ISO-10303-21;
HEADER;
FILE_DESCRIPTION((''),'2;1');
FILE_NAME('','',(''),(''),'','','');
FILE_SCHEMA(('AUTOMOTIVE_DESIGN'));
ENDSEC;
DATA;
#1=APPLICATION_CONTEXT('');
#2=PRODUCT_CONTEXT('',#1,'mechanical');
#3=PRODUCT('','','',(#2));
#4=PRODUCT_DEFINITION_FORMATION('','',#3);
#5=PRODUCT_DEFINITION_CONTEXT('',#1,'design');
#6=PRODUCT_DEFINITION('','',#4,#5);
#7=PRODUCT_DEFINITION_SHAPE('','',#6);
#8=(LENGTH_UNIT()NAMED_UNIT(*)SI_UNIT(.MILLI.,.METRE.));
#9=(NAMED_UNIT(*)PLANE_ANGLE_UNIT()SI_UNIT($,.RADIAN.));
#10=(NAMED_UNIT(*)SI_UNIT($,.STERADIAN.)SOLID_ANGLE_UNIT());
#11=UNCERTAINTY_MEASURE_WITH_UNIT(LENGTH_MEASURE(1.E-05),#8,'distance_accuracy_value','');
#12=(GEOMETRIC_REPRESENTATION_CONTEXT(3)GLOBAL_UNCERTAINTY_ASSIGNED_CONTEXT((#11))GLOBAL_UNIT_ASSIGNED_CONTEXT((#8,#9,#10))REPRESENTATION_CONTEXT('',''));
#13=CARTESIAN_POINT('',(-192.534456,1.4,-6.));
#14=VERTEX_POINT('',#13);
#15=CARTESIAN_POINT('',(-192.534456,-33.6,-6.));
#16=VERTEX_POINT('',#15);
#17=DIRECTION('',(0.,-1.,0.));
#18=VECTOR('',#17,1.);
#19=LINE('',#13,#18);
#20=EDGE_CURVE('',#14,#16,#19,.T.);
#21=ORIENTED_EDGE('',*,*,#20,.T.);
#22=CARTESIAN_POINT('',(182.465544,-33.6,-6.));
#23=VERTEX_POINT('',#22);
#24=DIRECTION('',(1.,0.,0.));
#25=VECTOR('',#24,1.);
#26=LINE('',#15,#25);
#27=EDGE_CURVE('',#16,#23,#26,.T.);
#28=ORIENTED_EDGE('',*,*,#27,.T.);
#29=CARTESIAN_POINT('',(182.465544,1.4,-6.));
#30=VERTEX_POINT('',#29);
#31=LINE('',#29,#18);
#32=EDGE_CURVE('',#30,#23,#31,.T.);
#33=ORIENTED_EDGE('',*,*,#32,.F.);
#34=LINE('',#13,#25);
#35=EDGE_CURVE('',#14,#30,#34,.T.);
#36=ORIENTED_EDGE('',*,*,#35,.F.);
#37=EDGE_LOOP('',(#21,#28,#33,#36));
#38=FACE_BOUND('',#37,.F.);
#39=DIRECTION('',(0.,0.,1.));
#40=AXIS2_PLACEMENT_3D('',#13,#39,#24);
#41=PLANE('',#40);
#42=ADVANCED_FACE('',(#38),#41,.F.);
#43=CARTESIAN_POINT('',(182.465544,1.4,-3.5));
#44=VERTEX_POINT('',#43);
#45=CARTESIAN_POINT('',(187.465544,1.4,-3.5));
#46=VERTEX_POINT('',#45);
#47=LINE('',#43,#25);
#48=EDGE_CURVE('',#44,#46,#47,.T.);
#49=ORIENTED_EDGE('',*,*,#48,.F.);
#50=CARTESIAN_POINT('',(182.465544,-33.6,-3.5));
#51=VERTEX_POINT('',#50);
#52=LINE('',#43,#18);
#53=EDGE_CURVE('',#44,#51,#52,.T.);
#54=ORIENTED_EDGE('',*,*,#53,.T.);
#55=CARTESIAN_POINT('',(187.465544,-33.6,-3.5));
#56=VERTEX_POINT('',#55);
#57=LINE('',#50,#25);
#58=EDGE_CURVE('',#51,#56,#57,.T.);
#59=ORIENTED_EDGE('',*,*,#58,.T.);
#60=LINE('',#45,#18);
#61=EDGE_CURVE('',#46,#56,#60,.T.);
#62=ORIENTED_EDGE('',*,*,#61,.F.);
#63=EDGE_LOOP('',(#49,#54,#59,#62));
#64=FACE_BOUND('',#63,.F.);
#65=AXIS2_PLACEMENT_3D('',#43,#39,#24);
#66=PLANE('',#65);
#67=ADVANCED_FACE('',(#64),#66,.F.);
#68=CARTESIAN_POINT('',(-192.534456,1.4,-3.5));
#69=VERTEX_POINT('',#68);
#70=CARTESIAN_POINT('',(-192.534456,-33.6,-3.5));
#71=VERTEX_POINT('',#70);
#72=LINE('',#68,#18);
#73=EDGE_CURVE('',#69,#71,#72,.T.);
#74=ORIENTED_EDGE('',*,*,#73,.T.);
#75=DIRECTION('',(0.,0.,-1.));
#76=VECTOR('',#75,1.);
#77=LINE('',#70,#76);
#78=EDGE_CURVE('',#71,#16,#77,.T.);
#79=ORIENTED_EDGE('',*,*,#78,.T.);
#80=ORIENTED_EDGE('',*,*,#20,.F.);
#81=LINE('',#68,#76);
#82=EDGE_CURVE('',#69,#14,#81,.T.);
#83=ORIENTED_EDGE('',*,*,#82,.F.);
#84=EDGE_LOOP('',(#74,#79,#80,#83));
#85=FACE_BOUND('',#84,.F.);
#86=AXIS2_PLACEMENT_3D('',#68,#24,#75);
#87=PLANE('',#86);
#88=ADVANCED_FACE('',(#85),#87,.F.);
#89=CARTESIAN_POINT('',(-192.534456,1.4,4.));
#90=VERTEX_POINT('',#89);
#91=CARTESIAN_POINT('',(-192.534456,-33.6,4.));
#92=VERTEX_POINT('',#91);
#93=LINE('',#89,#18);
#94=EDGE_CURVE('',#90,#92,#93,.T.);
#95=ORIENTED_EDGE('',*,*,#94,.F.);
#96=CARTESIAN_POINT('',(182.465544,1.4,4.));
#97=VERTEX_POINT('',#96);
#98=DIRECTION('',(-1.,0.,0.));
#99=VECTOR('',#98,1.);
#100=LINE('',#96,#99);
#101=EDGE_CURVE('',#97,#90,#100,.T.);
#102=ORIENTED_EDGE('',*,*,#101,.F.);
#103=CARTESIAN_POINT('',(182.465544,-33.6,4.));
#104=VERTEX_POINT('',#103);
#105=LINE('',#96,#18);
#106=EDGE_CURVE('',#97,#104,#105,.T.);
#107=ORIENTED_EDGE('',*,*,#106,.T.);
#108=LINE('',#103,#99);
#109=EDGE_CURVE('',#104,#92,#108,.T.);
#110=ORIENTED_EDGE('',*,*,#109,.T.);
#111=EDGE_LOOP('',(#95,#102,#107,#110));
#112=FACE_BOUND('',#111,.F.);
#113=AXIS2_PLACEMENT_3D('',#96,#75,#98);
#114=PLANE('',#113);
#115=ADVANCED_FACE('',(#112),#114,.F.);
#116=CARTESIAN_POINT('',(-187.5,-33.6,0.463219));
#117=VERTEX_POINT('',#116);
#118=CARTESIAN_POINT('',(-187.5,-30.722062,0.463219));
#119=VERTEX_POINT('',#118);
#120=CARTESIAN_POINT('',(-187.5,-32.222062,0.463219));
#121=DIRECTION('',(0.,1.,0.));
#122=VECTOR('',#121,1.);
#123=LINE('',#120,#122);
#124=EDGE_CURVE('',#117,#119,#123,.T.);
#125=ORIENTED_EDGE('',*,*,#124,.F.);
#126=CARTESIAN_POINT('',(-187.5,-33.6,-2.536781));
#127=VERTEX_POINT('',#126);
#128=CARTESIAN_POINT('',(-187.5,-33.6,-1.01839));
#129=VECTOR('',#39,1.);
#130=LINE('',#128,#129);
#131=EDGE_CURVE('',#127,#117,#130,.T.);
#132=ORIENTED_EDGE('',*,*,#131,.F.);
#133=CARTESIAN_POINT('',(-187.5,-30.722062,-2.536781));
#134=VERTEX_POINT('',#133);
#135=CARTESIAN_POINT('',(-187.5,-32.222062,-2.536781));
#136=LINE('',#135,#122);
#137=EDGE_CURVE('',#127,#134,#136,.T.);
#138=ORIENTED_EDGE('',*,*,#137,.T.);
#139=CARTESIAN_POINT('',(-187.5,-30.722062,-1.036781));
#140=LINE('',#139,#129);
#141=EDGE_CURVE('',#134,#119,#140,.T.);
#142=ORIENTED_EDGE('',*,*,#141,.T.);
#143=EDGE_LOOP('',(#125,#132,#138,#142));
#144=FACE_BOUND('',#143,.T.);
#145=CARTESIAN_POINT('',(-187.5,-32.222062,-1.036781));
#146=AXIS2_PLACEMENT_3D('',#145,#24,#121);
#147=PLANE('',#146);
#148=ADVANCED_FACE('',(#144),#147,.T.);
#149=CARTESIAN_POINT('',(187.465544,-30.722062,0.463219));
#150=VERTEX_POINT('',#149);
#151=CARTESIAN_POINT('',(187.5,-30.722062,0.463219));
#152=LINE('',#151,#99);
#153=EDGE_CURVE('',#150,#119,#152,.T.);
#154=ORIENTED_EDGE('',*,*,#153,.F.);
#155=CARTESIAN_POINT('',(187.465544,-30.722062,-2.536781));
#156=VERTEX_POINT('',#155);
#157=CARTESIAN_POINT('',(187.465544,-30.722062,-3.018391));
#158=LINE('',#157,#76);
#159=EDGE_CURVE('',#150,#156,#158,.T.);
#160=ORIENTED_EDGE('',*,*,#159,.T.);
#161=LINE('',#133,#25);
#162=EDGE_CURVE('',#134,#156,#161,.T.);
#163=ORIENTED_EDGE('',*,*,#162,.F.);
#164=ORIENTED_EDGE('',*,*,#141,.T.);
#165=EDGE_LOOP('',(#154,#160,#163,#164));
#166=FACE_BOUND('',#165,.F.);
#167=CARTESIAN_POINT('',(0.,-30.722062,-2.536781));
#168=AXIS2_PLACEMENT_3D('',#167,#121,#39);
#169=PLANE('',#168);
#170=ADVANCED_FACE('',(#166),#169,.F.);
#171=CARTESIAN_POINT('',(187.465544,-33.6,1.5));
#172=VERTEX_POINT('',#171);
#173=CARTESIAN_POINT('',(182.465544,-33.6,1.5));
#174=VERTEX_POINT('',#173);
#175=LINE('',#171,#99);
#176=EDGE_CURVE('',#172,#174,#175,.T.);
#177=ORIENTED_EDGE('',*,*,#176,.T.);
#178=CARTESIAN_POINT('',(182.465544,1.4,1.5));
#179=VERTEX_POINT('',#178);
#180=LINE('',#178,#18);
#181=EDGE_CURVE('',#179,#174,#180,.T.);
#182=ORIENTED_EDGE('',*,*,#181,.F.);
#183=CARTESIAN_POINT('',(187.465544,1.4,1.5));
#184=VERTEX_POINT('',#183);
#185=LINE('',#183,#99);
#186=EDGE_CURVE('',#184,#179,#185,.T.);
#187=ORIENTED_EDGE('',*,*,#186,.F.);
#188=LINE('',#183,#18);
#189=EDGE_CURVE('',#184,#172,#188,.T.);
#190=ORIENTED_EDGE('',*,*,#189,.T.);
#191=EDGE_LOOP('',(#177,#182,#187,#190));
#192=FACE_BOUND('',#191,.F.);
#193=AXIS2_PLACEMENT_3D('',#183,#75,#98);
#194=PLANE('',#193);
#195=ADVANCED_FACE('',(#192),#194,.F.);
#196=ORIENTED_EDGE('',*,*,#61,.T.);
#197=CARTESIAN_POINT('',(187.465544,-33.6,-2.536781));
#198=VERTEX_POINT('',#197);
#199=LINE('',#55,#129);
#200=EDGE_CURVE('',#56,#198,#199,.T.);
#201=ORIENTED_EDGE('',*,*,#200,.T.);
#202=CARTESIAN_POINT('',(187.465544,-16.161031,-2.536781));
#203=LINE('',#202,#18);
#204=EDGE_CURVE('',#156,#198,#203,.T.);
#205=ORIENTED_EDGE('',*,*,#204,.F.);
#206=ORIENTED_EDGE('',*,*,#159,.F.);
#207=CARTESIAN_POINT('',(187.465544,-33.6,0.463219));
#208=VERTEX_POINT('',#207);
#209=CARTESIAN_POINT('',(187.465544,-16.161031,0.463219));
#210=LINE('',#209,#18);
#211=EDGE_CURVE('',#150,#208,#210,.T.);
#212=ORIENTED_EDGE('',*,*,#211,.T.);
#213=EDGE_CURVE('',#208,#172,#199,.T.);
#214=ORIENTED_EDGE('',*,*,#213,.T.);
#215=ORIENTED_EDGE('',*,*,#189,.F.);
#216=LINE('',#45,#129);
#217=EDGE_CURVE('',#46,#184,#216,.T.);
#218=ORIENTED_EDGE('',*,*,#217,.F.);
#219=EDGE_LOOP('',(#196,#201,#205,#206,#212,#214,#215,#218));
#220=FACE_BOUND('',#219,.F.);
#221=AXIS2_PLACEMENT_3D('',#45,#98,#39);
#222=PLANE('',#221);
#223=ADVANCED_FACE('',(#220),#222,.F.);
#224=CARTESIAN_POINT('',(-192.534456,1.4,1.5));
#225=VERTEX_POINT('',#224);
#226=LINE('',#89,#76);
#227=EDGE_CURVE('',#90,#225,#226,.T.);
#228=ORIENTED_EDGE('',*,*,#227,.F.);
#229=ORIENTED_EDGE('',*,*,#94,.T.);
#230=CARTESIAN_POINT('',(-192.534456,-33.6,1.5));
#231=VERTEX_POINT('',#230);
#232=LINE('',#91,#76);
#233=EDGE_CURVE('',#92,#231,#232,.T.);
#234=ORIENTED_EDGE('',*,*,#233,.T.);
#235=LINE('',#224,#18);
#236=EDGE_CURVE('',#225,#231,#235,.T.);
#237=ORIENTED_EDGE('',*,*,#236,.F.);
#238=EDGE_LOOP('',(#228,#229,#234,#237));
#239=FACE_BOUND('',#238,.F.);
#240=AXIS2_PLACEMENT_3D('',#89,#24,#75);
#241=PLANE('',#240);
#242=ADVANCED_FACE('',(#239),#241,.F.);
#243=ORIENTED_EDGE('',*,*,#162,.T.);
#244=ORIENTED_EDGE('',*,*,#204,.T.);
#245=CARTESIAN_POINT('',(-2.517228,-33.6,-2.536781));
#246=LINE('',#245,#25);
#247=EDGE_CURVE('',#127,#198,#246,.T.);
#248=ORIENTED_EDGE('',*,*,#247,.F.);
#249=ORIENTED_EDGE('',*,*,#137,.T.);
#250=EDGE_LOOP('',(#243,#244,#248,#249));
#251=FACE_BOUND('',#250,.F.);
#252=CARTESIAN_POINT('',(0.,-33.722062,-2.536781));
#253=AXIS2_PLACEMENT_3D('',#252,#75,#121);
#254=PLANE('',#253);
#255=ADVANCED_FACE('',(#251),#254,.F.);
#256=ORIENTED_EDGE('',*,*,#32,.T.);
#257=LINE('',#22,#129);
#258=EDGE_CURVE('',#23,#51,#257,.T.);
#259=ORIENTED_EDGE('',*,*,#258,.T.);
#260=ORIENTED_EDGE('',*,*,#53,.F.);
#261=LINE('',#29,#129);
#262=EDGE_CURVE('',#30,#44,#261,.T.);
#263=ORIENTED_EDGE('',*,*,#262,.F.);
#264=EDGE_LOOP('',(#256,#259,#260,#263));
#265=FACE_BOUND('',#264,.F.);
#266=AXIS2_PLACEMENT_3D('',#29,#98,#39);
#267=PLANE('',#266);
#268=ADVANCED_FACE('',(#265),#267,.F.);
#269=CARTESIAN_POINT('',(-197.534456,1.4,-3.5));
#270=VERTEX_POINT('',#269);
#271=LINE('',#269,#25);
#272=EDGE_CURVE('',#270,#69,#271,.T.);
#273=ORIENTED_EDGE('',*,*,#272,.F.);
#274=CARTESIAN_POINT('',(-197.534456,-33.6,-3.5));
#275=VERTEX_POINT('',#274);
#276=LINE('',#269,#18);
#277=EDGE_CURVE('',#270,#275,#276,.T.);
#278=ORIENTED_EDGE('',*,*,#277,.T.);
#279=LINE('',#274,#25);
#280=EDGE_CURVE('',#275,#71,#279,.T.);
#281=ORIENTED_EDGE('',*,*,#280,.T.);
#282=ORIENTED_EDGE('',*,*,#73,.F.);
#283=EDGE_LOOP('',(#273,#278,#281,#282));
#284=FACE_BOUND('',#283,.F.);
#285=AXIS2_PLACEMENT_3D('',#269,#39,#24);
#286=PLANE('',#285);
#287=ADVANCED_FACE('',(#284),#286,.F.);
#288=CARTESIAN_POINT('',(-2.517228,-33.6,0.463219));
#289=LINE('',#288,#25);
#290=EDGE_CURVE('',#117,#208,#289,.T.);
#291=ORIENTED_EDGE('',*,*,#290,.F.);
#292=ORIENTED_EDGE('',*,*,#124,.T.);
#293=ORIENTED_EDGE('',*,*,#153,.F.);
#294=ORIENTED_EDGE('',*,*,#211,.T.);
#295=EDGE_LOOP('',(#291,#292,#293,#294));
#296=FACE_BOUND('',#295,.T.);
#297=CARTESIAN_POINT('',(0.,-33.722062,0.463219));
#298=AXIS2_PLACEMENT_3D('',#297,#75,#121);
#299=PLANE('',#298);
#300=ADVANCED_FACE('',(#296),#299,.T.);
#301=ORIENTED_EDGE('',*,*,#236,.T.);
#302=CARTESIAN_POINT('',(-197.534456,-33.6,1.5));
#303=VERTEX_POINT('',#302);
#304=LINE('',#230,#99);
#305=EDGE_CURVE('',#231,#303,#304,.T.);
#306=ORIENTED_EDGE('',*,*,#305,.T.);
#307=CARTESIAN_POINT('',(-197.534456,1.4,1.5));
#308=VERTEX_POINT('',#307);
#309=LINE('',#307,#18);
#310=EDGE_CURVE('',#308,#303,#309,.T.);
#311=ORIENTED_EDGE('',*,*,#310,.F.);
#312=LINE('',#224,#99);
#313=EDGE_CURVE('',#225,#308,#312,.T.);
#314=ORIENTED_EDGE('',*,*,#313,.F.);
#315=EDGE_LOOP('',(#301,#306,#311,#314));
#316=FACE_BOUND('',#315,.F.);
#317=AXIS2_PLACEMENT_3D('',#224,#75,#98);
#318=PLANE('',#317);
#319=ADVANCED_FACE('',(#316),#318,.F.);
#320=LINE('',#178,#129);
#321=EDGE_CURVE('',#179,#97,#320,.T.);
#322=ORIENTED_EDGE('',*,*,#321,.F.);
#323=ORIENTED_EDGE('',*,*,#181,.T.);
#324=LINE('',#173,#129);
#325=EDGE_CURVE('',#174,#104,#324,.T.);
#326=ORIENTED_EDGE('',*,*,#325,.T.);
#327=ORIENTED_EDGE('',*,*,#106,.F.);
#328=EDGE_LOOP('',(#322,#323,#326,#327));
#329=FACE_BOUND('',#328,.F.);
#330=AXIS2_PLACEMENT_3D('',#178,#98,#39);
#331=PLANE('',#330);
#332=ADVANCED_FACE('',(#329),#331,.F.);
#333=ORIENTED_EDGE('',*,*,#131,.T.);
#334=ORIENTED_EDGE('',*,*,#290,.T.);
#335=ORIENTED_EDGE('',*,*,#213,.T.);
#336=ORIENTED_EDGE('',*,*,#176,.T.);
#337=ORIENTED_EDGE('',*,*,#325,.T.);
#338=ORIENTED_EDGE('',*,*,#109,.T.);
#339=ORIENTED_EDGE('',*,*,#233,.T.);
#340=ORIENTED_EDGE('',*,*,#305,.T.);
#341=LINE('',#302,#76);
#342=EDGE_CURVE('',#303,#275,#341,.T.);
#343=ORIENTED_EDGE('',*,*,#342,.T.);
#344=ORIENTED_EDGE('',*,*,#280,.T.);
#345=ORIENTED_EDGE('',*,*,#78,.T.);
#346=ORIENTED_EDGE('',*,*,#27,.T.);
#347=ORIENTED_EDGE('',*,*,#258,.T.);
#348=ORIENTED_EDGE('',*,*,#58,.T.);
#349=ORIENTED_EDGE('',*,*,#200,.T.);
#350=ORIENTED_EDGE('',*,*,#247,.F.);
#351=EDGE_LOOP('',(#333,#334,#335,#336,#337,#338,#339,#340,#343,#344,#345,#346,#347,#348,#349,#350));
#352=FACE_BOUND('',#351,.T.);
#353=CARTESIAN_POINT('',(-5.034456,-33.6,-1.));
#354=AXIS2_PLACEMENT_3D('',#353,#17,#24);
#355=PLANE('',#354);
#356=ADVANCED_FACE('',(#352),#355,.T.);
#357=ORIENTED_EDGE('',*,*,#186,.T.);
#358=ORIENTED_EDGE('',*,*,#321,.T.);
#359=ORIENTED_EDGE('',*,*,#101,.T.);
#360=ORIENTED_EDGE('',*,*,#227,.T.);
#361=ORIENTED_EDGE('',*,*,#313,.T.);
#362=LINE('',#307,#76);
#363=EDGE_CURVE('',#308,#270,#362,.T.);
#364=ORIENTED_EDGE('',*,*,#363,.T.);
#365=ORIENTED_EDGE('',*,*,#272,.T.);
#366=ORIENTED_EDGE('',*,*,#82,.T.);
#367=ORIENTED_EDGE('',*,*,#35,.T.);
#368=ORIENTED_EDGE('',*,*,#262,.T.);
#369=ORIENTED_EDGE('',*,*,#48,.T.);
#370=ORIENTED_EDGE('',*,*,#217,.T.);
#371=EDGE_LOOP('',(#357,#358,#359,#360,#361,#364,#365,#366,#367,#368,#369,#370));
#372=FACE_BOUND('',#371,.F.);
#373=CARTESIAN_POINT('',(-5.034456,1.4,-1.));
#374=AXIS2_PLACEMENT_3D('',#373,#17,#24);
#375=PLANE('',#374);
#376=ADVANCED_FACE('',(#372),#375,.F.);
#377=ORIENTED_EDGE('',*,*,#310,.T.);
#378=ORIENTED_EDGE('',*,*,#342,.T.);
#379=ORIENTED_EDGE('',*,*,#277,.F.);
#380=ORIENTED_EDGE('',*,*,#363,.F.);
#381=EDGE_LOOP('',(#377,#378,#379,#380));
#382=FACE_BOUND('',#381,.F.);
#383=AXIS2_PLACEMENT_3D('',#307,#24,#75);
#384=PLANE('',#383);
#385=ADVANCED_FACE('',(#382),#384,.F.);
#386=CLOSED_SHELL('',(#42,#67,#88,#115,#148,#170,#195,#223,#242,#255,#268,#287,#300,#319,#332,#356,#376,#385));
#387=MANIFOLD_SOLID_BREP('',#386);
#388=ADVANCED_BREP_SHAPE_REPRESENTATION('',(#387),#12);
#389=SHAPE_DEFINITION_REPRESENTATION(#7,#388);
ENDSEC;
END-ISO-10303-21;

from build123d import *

# Parameters (mm, degrees)
F1_DEPTH      = 35
F2_W          = 3
F2_H          = 3
F3_DEPTH      = 187.5
F3_DEPTH_BACK = 187.5


with BuildPart() as f1:
    # F0 (on Front) → F1 (new body)
    with BuildSketch(Plane.XZ):
        Polygon((-226.934456, 2.5), (-226.934456, 0), (-226.934456, -2.5), (-221.934456, -2.5), (-221.934456, -5), (153.065544, -5), (153.065544, -2.5), (158.065544, -2.5), (158.065544, 2.5), (153.065544, 2.5), (153.065544, 5), (-221.934456, 5), (-221.934456, 2.5), align=None)
    extrude(amount=F1_DEPTH)


with BuildPart() as f3:
    # F2 (on Right) → F3 (new body, two sides)
    with BuildSketch(Plane.YZ) as f3_sk:
        with Locations((-32.222062, -1.036781)):
            Rectangle(F2_W, F2_H)
    extrude(amount=F3_DEPTH)
    extrude(f3_sk.sketch, amount=-F3_DEPTH_BACK)


with BuildPart() as f1_1:
    # F4: moved
    add(f1.part.moved(Location((29.4, 1.4, -1))))

    # F5: cut F3
    add(f3.part, mode=Mode.SUBTRACT)


solid = f1_1.part
